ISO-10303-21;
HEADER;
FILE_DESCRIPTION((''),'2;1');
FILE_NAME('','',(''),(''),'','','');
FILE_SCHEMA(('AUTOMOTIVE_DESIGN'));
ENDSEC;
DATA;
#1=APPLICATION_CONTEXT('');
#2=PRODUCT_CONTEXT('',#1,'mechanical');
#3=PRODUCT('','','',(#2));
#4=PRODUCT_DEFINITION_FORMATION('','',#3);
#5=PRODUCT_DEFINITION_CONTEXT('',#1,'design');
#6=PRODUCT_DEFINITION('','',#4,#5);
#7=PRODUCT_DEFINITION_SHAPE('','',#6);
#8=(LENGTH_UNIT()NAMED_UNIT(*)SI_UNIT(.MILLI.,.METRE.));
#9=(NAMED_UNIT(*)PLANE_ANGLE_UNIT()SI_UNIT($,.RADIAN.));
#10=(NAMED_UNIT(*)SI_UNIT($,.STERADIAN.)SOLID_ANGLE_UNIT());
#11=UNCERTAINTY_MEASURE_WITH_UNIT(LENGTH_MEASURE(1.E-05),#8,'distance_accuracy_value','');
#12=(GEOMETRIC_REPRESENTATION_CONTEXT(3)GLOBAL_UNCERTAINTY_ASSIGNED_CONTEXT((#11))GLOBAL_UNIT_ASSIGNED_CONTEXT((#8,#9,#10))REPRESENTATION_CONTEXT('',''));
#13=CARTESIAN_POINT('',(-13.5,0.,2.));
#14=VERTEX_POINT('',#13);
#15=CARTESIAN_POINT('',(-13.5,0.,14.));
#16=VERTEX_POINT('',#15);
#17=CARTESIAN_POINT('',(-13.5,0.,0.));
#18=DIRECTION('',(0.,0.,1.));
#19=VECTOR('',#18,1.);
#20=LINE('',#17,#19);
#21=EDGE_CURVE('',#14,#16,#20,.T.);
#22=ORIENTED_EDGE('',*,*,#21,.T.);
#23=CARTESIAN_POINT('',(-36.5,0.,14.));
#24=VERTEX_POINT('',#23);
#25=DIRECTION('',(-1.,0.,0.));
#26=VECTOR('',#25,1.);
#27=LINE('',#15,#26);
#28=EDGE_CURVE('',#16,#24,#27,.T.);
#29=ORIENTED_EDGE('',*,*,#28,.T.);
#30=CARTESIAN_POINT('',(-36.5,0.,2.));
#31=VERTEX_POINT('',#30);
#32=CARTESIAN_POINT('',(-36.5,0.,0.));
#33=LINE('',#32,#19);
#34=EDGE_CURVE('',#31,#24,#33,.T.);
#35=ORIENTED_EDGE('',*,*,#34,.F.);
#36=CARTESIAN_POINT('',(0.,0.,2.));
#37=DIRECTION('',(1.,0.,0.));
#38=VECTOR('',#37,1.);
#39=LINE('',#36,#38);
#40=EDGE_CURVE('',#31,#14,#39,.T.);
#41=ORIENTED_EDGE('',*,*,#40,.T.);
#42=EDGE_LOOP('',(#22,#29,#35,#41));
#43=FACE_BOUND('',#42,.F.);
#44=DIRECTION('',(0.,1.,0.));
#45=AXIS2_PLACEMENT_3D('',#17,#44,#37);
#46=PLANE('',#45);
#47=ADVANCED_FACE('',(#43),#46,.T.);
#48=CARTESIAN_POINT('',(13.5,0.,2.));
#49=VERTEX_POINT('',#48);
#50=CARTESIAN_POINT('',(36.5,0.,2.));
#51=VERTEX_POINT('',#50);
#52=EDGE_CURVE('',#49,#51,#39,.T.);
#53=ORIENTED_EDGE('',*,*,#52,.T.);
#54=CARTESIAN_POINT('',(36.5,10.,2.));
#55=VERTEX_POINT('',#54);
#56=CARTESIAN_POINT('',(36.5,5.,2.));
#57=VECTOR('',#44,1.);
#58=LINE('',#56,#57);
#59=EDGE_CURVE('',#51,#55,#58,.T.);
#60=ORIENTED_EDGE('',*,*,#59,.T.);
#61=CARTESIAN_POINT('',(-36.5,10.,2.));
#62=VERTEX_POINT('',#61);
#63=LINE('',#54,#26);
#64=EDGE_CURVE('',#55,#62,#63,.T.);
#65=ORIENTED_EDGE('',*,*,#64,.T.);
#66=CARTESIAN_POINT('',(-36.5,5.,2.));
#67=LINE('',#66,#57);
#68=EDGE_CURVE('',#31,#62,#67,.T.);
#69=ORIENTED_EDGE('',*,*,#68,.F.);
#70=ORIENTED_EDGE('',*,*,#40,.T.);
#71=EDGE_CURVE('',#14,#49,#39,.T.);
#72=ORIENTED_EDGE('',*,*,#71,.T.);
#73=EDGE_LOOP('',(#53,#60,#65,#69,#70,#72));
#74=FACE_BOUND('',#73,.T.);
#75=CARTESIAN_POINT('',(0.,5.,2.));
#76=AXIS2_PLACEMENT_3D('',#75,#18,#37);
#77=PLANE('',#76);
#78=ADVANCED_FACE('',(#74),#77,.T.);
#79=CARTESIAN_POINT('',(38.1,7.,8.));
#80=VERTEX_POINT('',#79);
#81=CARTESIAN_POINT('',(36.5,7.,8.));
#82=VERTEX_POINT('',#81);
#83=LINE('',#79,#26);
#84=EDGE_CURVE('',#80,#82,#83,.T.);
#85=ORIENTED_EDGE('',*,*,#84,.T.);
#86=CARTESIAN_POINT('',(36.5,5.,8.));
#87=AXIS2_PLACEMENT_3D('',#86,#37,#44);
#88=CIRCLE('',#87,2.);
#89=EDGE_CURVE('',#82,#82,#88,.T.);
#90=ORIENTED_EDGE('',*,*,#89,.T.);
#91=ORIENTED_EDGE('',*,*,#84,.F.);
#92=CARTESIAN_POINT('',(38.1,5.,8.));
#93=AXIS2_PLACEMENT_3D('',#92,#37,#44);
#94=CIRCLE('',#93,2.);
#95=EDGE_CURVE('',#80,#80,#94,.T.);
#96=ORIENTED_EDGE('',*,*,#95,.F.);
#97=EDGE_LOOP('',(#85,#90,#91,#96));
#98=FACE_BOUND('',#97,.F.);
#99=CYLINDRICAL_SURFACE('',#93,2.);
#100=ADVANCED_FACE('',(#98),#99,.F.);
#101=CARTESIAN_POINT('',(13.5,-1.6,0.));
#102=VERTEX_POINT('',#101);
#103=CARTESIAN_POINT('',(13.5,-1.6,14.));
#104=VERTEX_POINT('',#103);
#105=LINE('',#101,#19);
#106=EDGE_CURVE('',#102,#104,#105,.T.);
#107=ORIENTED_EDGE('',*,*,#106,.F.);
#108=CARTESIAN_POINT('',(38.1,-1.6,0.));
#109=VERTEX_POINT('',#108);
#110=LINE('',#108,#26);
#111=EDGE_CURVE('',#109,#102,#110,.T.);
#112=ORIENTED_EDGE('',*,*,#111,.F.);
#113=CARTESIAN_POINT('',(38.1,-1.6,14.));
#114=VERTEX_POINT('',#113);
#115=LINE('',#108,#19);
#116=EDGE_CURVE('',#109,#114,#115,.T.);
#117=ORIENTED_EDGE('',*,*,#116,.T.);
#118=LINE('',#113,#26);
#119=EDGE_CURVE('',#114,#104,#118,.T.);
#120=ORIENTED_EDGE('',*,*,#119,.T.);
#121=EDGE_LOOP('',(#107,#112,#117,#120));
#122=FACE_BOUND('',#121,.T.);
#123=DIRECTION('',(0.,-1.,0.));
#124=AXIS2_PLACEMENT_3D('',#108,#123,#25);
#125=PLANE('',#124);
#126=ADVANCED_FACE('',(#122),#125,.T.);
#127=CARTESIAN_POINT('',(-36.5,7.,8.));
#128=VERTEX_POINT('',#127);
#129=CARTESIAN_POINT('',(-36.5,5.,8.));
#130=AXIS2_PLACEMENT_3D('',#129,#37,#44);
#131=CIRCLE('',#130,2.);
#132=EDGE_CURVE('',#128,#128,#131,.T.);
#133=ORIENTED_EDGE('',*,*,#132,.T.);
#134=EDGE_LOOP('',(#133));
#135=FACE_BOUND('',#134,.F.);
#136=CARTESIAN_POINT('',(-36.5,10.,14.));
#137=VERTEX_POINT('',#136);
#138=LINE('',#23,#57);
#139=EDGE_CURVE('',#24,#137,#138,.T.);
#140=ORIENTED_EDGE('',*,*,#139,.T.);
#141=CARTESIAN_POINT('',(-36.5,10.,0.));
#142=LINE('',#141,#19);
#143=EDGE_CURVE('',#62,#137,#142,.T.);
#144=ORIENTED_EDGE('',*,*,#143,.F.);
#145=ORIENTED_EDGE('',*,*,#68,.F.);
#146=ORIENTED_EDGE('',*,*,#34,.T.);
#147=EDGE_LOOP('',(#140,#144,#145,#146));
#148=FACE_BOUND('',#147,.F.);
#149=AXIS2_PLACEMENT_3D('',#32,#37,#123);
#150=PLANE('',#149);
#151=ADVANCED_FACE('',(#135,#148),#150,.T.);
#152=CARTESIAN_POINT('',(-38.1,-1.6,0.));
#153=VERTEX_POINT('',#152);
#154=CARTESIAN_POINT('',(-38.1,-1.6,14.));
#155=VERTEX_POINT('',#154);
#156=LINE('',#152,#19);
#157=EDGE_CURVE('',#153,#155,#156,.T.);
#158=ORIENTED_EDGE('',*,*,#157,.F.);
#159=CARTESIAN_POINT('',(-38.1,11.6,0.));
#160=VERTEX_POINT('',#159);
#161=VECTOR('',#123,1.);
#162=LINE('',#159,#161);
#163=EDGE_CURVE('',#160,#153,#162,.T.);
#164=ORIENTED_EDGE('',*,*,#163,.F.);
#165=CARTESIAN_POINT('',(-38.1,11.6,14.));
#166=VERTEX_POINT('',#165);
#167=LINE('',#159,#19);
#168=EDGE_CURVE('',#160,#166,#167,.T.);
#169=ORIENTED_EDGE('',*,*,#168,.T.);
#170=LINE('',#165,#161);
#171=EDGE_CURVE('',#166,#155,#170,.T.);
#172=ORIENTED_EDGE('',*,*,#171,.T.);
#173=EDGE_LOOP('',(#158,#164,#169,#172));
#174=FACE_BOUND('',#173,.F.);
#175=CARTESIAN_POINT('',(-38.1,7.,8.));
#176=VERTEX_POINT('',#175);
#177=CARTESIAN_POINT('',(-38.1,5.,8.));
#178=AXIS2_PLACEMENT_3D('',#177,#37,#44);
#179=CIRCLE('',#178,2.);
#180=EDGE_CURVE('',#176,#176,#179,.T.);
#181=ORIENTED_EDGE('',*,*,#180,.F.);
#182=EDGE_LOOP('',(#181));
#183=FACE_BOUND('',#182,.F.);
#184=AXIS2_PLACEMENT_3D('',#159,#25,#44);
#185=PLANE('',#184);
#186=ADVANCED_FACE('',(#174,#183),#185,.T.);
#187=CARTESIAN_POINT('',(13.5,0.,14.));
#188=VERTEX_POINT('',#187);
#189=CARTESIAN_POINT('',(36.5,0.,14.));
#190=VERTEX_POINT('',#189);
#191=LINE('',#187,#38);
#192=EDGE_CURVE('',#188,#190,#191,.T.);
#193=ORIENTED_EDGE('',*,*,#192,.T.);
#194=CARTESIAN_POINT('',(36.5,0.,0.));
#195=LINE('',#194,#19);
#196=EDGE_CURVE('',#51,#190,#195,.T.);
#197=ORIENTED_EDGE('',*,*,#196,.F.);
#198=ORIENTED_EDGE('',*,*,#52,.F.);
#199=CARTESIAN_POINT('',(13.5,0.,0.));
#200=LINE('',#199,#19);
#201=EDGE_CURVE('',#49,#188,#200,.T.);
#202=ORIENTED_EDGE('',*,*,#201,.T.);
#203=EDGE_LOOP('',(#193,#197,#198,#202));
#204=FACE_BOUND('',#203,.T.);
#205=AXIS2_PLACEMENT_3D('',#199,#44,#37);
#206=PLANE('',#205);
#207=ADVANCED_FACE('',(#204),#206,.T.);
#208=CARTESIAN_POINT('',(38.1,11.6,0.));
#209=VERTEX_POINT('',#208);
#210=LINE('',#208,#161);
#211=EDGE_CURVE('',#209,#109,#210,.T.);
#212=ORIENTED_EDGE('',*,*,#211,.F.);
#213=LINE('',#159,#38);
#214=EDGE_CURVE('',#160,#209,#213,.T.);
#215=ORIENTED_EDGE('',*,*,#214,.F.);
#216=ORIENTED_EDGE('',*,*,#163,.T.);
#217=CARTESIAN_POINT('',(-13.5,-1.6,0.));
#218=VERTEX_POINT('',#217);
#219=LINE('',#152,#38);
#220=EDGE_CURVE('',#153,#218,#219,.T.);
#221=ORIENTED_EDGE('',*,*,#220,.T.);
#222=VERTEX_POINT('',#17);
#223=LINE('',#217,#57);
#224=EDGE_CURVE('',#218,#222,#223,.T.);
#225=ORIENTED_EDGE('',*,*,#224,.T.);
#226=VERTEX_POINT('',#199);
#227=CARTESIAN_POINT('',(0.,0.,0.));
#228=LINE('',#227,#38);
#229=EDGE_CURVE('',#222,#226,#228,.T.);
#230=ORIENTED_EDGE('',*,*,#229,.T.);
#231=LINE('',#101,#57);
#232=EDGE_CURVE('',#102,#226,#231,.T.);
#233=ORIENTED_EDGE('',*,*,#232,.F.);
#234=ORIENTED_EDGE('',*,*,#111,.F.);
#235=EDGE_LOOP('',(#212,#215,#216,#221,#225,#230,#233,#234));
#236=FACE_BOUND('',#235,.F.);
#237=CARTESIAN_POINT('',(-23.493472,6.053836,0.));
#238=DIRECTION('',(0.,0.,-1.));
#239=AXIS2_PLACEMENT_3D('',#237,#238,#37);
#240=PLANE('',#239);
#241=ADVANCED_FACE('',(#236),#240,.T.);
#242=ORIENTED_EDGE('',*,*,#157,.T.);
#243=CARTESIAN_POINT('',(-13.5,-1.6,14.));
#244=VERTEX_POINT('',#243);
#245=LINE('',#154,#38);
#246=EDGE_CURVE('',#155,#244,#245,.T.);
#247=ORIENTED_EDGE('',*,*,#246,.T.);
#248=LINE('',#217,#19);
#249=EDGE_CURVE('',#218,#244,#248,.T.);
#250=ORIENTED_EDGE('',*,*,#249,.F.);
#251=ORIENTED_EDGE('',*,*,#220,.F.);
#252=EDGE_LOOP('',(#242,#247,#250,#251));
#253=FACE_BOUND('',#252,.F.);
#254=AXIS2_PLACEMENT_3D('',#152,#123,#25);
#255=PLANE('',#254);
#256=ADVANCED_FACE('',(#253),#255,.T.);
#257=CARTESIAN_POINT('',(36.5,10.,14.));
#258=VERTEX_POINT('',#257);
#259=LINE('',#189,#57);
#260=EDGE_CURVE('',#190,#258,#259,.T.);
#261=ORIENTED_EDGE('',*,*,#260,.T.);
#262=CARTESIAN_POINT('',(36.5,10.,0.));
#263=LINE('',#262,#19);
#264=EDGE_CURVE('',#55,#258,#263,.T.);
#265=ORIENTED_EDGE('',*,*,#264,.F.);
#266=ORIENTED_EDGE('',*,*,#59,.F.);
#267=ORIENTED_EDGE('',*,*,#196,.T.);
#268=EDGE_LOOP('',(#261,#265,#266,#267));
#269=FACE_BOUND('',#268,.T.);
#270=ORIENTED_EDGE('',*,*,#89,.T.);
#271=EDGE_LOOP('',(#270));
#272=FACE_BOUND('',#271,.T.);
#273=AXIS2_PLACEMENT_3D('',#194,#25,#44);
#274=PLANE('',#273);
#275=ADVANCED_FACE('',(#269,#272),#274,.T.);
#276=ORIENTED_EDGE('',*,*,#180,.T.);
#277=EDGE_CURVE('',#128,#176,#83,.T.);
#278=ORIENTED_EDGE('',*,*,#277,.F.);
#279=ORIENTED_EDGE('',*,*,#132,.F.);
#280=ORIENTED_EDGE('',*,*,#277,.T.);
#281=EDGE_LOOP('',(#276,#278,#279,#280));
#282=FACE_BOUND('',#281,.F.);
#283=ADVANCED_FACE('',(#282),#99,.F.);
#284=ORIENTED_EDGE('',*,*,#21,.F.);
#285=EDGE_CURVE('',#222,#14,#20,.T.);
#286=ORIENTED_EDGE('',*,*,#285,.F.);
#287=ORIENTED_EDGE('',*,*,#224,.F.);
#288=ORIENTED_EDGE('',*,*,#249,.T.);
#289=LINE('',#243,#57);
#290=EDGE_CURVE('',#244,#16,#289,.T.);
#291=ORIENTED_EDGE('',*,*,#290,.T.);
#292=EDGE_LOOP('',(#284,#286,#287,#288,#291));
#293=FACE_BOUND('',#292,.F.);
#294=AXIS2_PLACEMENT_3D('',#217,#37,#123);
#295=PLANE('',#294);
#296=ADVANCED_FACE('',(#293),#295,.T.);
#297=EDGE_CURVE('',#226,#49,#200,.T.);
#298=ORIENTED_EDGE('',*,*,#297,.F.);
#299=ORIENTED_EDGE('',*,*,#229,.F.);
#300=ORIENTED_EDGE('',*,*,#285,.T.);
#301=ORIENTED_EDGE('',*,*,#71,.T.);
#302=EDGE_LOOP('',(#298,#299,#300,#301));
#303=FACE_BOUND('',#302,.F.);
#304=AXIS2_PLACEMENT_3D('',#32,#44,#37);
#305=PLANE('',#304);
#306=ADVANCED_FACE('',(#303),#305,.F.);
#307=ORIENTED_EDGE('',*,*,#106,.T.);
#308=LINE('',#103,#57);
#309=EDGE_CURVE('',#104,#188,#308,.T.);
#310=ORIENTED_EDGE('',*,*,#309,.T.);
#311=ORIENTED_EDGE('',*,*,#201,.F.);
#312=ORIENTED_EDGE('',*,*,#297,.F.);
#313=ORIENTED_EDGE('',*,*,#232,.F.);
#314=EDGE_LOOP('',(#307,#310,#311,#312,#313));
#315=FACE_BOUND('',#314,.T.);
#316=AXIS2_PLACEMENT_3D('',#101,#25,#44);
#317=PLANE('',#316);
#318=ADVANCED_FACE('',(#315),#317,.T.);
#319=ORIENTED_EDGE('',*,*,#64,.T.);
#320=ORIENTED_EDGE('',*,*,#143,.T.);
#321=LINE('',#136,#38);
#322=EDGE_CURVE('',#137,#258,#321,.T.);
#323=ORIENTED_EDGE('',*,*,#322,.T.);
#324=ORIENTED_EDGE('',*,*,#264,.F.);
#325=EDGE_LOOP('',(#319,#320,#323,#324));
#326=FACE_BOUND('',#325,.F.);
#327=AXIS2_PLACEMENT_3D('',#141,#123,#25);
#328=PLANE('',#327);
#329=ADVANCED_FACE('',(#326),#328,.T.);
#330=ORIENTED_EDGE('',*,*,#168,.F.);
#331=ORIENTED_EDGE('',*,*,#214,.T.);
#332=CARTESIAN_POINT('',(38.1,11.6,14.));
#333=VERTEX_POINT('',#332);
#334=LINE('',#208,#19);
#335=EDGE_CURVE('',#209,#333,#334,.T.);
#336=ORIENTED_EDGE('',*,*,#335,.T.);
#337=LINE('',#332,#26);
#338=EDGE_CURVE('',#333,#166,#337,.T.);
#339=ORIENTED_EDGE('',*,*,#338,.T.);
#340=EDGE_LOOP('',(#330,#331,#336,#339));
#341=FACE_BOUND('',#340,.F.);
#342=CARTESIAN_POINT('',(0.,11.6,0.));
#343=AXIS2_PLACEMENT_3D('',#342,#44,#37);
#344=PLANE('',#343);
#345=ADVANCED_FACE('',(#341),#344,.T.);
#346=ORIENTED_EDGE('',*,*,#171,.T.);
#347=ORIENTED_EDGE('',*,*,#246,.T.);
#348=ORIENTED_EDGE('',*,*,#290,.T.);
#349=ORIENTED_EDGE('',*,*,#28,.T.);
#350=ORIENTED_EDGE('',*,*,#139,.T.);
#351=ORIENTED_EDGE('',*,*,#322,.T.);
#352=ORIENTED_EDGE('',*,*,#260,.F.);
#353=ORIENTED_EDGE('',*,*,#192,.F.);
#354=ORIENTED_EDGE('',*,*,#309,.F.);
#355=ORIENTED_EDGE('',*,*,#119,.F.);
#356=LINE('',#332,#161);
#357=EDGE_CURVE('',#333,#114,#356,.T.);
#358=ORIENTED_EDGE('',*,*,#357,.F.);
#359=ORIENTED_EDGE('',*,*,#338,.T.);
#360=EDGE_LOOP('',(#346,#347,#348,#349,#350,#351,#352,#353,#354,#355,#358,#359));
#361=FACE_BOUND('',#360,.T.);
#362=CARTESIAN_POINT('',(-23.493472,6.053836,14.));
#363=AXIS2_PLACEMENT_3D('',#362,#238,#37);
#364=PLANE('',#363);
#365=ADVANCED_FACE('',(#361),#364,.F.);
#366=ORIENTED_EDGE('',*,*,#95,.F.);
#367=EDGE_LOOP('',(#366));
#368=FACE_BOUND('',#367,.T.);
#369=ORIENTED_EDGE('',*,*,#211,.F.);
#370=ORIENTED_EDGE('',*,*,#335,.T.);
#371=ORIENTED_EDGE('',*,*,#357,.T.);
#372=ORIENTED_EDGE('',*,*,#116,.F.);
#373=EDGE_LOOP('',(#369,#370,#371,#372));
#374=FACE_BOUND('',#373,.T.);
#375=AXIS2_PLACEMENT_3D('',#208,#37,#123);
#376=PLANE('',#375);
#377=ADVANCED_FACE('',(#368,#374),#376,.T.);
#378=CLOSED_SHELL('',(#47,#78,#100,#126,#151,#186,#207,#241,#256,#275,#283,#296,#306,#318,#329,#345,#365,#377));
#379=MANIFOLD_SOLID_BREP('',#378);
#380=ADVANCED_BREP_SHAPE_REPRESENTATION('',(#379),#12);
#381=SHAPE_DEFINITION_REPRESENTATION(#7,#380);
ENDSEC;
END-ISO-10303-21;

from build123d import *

# Parameters (mm, degrees)
SKETCH_W     = 73
SKETCH_H     = 10
PAD_DEPTH    = 2
PAD001_DEPTH = 14
SKETCH002_R  = 2
POCKET_DEPTH = 76.201


with BuildPart() as part:
    # Sketch → Pad (new body)
    with BuildSketch(Plane.XY):
        with Locations((0, 5)):
            Rectangle(SKETCH_W, SKETCH_H)
    extrude(amount=PAD_DEPTH)

    # Sketch001 → Pad001 (new body)
    with BuildSketch(Plane(origin=(0, 0, 0), x_dir=(1, 0, 0), z_dir=(0, 0, -1))):
        Polygon((13.5, 1.6), (13.5, 0), (36.5, 0), (36.5, -10), (0, -10), (0, -11.6), (38.1, -11.6), (38.1, 1.6), align=None)
    pad001 = extrude(amount=-PAD001_DEPTH)

    # Mirrored: Pad001 across Sketch001 V_Axis
    add(pad001.mirror(Plane(origin=(0, 0, 0), x_dir=(0, 0, -1), z_dir=(1, 0, 0))))

    # Sketch002 → Pocket (cut, through all)
    with BuildSketch(Plane.YZ.offset(38.1)):
        with Locations((5, 8)):
            Circle(SKETCH002_R)
    extrude(amount=-POCKET_DEPTH, mode=Mode.SUBTRACT)


solid = part.part
